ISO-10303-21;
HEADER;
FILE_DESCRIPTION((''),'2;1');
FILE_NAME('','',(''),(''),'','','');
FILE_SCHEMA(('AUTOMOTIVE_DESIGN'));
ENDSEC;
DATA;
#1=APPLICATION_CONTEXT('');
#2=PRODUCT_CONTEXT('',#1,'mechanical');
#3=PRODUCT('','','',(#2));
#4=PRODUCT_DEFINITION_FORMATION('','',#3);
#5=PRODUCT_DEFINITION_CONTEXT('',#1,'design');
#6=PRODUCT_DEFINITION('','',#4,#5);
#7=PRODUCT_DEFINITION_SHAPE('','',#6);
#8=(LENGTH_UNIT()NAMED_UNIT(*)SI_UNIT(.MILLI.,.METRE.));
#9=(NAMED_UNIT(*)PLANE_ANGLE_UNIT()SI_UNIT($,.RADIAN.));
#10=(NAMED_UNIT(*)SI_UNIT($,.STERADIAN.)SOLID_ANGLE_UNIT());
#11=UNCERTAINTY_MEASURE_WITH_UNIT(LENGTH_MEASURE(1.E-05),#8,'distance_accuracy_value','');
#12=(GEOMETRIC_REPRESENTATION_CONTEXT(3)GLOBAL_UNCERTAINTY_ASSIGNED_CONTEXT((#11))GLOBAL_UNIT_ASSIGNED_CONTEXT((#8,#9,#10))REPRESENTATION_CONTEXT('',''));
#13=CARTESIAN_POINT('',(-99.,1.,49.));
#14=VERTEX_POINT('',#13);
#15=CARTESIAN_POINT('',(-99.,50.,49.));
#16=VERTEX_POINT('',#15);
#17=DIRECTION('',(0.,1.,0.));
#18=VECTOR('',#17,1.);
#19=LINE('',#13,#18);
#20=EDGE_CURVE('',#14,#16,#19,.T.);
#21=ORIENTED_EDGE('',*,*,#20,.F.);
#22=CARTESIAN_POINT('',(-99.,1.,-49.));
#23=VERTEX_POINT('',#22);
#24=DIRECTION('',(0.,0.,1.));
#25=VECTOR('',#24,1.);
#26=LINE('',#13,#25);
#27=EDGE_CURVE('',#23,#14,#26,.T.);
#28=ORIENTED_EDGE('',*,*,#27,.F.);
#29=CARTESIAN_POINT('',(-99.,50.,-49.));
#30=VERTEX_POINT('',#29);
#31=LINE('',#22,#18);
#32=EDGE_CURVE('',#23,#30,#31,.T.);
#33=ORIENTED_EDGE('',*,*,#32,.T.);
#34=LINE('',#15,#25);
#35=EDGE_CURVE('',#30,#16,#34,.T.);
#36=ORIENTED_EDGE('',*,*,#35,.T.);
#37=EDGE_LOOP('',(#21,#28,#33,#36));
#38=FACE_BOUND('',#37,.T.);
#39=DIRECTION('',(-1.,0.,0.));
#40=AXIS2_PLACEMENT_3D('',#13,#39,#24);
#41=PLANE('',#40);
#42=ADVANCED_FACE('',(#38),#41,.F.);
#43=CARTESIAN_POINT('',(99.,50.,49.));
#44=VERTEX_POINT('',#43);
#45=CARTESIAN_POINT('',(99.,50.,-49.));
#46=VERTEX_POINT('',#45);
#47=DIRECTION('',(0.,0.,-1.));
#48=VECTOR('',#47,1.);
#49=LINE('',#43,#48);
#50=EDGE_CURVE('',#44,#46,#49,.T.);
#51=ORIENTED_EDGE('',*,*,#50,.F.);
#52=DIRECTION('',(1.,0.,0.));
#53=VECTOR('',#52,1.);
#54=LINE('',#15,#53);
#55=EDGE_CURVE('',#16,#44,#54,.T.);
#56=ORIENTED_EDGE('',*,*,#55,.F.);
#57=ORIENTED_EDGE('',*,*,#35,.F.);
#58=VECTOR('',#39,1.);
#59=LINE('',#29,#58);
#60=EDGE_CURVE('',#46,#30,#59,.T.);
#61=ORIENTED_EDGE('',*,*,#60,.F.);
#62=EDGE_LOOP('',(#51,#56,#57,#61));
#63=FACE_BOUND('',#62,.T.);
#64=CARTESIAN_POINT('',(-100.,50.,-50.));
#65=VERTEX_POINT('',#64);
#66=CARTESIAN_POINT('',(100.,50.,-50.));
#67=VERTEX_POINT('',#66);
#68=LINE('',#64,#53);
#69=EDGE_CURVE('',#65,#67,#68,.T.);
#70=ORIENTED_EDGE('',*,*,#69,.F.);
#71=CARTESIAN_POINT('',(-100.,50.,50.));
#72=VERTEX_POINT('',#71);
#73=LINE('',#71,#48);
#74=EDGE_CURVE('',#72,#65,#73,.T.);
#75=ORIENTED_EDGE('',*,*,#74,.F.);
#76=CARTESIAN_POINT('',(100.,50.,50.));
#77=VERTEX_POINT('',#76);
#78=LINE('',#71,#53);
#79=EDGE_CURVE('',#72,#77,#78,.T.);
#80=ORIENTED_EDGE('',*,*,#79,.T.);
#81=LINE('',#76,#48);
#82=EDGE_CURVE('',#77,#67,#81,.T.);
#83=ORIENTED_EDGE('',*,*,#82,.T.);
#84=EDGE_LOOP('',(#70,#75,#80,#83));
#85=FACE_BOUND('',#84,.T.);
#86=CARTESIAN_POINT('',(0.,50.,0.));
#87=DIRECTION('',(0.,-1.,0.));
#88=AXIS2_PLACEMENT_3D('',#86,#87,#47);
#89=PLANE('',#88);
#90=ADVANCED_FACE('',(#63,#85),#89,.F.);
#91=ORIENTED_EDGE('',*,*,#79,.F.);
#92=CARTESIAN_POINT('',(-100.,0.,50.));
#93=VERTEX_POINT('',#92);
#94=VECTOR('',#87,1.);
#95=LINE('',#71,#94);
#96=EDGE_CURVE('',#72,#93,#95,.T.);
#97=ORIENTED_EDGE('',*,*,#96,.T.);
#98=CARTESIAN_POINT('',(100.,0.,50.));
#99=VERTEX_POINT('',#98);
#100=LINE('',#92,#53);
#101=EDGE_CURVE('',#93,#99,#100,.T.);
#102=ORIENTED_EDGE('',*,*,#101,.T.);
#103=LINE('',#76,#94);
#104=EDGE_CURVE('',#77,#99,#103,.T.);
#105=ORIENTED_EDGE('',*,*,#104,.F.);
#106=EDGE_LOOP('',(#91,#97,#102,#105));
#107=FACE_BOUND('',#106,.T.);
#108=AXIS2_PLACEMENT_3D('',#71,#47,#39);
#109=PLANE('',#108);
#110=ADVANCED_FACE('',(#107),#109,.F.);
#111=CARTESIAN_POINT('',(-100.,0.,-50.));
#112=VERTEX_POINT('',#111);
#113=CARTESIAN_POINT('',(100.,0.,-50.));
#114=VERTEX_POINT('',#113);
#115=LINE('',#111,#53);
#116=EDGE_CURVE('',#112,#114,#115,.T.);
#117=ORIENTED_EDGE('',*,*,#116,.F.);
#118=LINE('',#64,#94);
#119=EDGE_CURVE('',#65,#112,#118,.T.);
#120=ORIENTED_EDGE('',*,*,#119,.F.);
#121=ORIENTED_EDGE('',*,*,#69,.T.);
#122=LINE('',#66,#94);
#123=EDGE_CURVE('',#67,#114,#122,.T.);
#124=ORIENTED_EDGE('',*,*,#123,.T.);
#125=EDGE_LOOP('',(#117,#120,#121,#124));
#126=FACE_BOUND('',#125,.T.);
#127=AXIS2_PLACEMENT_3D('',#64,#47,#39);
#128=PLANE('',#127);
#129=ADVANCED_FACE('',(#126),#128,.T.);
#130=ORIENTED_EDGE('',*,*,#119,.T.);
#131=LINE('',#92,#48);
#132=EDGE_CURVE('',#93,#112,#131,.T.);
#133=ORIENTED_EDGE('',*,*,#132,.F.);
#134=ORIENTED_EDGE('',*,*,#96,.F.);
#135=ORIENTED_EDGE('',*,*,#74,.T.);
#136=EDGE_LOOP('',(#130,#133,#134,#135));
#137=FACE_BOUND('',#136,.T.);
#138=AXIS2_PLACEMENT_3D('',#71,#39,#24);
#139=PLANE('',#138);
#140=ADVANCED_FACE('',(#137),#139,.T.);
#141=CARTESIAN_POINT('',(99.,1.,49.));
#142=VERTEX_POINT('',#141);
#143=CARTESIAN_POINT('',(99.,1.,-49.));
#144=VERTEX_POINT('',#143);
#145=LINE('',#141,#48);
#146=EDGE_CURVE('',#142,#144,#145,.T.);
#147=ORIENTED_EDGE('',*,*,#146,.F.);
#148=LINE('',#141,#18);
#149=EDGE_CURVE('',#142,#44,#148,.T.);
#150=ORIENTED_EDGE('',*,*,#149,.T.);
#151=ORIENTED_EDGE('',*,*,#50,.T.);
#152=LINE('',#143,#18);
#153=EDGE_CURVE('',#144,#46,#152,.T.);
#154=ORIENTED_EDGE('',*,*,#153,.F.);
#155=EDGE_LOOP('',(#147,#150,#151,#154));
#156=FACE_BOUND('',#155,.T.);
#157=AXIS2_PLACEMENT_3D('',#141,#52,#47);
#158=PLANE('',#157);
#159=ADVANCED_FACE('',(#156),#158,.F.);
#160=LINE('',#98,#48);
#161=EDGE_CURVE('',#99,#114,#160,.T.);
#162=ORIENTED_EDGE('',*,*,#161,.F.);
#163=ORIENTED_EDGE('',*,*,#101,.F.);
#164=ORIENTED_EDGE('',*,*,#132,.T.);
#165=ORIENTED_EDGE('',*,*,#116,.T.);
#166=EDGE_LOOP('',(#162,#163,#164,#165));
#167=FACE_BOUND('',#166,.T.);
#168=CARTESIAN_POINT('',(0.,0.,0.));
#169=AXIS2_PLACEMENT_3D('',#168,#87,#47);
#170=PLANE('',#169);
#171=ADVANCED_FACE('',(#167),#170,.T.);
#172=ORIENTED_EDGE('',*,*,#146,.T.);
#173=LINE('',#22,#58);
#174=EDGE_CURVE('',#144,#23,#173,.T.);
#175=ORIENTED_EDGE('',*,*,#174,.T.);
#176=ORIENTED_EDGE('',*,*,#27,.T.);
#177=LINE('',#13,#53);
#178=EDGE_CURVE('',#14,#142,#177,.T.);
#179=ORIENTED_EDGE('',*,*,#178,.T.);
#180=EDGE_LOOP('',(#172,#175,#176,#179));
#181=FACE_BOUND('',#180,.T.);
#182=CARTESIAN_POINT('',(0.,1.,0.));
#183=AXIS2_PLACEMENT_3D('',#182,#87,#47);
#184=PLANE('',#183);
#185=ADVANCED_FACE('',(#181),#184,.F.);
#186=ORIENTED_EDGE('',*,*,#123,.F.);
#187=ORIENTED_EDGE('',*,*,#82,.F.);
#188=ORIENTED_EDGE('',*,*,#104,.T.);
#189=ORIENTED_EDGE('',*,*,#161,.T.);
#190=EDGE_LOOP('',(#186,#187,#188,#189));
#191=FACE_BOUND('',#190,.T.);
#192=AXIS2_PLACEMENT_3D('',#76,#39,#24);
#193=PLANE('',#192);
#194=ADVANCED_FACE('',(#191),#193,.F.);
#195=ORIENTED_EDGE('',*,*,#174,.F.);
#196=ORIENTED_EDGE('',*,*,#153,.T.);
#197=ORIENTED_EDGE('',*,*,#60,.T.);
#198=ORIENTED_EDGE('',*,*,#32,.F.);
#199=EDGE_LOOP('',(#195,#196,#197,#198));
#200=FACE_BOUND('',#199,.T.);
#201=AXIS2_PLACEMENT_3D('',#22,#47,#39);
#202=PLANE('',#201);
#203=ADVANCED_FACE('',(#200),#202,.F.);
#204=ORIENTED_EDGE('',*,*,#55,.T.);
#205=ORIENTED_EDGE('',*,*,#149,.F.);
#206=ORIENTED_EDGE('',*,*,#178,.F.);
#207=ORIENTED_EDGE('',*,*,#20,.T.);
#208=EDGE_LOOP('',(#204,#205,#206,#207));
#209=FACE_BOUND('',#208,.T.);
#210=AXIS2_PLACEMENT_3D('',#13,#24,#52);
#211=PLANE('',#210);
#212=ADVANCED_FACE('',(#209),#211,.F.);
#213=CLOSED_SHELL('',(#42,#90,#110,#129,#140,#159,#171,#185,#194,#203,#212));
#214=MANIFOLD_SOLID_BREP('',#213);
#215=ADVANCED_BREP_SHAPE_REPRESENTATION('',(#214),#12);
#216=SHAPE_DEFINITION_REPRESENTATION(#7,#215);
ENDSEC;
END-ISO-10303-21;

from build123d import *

# Parameters (mm, degrees)
SKETCH5_W           = 200
SKETCH5_H           = 100
BOSS_EXTRUDE2_DEPTH = 50
SKETCH6_W           = 198
SKETCH6_H           = 98
CUT_EXTRUDE2_DEPTH  = 49


with BuildPart() as part:
    # Sketch5 → Boss-Extrude2 (new body)
    with BuildSketch(Plane(origin=(0, 0, 0), x_dir=(1, 0, 0), z_dir=(0, 1, 0))):
        Rectangle(SKETCH5_W, SKETCH5_H)
    extrude(amount=BOSS_EXTRUDE2_DEPTH)

    # Sketch6 → Cut-Extrude2 (cut)
    with BuildSketch(Plane(origin=(0, 50, 0), x_dir=(1, 0, 0), z_dir=(0, 1, 0))):
        Rectangle(SKETCH6_W, SKETCH6_H)
    extrude(amount=-CUT_EXTRUDE2_DEPTH, mode=Mode.SUBTRACT)


solid = part.part
